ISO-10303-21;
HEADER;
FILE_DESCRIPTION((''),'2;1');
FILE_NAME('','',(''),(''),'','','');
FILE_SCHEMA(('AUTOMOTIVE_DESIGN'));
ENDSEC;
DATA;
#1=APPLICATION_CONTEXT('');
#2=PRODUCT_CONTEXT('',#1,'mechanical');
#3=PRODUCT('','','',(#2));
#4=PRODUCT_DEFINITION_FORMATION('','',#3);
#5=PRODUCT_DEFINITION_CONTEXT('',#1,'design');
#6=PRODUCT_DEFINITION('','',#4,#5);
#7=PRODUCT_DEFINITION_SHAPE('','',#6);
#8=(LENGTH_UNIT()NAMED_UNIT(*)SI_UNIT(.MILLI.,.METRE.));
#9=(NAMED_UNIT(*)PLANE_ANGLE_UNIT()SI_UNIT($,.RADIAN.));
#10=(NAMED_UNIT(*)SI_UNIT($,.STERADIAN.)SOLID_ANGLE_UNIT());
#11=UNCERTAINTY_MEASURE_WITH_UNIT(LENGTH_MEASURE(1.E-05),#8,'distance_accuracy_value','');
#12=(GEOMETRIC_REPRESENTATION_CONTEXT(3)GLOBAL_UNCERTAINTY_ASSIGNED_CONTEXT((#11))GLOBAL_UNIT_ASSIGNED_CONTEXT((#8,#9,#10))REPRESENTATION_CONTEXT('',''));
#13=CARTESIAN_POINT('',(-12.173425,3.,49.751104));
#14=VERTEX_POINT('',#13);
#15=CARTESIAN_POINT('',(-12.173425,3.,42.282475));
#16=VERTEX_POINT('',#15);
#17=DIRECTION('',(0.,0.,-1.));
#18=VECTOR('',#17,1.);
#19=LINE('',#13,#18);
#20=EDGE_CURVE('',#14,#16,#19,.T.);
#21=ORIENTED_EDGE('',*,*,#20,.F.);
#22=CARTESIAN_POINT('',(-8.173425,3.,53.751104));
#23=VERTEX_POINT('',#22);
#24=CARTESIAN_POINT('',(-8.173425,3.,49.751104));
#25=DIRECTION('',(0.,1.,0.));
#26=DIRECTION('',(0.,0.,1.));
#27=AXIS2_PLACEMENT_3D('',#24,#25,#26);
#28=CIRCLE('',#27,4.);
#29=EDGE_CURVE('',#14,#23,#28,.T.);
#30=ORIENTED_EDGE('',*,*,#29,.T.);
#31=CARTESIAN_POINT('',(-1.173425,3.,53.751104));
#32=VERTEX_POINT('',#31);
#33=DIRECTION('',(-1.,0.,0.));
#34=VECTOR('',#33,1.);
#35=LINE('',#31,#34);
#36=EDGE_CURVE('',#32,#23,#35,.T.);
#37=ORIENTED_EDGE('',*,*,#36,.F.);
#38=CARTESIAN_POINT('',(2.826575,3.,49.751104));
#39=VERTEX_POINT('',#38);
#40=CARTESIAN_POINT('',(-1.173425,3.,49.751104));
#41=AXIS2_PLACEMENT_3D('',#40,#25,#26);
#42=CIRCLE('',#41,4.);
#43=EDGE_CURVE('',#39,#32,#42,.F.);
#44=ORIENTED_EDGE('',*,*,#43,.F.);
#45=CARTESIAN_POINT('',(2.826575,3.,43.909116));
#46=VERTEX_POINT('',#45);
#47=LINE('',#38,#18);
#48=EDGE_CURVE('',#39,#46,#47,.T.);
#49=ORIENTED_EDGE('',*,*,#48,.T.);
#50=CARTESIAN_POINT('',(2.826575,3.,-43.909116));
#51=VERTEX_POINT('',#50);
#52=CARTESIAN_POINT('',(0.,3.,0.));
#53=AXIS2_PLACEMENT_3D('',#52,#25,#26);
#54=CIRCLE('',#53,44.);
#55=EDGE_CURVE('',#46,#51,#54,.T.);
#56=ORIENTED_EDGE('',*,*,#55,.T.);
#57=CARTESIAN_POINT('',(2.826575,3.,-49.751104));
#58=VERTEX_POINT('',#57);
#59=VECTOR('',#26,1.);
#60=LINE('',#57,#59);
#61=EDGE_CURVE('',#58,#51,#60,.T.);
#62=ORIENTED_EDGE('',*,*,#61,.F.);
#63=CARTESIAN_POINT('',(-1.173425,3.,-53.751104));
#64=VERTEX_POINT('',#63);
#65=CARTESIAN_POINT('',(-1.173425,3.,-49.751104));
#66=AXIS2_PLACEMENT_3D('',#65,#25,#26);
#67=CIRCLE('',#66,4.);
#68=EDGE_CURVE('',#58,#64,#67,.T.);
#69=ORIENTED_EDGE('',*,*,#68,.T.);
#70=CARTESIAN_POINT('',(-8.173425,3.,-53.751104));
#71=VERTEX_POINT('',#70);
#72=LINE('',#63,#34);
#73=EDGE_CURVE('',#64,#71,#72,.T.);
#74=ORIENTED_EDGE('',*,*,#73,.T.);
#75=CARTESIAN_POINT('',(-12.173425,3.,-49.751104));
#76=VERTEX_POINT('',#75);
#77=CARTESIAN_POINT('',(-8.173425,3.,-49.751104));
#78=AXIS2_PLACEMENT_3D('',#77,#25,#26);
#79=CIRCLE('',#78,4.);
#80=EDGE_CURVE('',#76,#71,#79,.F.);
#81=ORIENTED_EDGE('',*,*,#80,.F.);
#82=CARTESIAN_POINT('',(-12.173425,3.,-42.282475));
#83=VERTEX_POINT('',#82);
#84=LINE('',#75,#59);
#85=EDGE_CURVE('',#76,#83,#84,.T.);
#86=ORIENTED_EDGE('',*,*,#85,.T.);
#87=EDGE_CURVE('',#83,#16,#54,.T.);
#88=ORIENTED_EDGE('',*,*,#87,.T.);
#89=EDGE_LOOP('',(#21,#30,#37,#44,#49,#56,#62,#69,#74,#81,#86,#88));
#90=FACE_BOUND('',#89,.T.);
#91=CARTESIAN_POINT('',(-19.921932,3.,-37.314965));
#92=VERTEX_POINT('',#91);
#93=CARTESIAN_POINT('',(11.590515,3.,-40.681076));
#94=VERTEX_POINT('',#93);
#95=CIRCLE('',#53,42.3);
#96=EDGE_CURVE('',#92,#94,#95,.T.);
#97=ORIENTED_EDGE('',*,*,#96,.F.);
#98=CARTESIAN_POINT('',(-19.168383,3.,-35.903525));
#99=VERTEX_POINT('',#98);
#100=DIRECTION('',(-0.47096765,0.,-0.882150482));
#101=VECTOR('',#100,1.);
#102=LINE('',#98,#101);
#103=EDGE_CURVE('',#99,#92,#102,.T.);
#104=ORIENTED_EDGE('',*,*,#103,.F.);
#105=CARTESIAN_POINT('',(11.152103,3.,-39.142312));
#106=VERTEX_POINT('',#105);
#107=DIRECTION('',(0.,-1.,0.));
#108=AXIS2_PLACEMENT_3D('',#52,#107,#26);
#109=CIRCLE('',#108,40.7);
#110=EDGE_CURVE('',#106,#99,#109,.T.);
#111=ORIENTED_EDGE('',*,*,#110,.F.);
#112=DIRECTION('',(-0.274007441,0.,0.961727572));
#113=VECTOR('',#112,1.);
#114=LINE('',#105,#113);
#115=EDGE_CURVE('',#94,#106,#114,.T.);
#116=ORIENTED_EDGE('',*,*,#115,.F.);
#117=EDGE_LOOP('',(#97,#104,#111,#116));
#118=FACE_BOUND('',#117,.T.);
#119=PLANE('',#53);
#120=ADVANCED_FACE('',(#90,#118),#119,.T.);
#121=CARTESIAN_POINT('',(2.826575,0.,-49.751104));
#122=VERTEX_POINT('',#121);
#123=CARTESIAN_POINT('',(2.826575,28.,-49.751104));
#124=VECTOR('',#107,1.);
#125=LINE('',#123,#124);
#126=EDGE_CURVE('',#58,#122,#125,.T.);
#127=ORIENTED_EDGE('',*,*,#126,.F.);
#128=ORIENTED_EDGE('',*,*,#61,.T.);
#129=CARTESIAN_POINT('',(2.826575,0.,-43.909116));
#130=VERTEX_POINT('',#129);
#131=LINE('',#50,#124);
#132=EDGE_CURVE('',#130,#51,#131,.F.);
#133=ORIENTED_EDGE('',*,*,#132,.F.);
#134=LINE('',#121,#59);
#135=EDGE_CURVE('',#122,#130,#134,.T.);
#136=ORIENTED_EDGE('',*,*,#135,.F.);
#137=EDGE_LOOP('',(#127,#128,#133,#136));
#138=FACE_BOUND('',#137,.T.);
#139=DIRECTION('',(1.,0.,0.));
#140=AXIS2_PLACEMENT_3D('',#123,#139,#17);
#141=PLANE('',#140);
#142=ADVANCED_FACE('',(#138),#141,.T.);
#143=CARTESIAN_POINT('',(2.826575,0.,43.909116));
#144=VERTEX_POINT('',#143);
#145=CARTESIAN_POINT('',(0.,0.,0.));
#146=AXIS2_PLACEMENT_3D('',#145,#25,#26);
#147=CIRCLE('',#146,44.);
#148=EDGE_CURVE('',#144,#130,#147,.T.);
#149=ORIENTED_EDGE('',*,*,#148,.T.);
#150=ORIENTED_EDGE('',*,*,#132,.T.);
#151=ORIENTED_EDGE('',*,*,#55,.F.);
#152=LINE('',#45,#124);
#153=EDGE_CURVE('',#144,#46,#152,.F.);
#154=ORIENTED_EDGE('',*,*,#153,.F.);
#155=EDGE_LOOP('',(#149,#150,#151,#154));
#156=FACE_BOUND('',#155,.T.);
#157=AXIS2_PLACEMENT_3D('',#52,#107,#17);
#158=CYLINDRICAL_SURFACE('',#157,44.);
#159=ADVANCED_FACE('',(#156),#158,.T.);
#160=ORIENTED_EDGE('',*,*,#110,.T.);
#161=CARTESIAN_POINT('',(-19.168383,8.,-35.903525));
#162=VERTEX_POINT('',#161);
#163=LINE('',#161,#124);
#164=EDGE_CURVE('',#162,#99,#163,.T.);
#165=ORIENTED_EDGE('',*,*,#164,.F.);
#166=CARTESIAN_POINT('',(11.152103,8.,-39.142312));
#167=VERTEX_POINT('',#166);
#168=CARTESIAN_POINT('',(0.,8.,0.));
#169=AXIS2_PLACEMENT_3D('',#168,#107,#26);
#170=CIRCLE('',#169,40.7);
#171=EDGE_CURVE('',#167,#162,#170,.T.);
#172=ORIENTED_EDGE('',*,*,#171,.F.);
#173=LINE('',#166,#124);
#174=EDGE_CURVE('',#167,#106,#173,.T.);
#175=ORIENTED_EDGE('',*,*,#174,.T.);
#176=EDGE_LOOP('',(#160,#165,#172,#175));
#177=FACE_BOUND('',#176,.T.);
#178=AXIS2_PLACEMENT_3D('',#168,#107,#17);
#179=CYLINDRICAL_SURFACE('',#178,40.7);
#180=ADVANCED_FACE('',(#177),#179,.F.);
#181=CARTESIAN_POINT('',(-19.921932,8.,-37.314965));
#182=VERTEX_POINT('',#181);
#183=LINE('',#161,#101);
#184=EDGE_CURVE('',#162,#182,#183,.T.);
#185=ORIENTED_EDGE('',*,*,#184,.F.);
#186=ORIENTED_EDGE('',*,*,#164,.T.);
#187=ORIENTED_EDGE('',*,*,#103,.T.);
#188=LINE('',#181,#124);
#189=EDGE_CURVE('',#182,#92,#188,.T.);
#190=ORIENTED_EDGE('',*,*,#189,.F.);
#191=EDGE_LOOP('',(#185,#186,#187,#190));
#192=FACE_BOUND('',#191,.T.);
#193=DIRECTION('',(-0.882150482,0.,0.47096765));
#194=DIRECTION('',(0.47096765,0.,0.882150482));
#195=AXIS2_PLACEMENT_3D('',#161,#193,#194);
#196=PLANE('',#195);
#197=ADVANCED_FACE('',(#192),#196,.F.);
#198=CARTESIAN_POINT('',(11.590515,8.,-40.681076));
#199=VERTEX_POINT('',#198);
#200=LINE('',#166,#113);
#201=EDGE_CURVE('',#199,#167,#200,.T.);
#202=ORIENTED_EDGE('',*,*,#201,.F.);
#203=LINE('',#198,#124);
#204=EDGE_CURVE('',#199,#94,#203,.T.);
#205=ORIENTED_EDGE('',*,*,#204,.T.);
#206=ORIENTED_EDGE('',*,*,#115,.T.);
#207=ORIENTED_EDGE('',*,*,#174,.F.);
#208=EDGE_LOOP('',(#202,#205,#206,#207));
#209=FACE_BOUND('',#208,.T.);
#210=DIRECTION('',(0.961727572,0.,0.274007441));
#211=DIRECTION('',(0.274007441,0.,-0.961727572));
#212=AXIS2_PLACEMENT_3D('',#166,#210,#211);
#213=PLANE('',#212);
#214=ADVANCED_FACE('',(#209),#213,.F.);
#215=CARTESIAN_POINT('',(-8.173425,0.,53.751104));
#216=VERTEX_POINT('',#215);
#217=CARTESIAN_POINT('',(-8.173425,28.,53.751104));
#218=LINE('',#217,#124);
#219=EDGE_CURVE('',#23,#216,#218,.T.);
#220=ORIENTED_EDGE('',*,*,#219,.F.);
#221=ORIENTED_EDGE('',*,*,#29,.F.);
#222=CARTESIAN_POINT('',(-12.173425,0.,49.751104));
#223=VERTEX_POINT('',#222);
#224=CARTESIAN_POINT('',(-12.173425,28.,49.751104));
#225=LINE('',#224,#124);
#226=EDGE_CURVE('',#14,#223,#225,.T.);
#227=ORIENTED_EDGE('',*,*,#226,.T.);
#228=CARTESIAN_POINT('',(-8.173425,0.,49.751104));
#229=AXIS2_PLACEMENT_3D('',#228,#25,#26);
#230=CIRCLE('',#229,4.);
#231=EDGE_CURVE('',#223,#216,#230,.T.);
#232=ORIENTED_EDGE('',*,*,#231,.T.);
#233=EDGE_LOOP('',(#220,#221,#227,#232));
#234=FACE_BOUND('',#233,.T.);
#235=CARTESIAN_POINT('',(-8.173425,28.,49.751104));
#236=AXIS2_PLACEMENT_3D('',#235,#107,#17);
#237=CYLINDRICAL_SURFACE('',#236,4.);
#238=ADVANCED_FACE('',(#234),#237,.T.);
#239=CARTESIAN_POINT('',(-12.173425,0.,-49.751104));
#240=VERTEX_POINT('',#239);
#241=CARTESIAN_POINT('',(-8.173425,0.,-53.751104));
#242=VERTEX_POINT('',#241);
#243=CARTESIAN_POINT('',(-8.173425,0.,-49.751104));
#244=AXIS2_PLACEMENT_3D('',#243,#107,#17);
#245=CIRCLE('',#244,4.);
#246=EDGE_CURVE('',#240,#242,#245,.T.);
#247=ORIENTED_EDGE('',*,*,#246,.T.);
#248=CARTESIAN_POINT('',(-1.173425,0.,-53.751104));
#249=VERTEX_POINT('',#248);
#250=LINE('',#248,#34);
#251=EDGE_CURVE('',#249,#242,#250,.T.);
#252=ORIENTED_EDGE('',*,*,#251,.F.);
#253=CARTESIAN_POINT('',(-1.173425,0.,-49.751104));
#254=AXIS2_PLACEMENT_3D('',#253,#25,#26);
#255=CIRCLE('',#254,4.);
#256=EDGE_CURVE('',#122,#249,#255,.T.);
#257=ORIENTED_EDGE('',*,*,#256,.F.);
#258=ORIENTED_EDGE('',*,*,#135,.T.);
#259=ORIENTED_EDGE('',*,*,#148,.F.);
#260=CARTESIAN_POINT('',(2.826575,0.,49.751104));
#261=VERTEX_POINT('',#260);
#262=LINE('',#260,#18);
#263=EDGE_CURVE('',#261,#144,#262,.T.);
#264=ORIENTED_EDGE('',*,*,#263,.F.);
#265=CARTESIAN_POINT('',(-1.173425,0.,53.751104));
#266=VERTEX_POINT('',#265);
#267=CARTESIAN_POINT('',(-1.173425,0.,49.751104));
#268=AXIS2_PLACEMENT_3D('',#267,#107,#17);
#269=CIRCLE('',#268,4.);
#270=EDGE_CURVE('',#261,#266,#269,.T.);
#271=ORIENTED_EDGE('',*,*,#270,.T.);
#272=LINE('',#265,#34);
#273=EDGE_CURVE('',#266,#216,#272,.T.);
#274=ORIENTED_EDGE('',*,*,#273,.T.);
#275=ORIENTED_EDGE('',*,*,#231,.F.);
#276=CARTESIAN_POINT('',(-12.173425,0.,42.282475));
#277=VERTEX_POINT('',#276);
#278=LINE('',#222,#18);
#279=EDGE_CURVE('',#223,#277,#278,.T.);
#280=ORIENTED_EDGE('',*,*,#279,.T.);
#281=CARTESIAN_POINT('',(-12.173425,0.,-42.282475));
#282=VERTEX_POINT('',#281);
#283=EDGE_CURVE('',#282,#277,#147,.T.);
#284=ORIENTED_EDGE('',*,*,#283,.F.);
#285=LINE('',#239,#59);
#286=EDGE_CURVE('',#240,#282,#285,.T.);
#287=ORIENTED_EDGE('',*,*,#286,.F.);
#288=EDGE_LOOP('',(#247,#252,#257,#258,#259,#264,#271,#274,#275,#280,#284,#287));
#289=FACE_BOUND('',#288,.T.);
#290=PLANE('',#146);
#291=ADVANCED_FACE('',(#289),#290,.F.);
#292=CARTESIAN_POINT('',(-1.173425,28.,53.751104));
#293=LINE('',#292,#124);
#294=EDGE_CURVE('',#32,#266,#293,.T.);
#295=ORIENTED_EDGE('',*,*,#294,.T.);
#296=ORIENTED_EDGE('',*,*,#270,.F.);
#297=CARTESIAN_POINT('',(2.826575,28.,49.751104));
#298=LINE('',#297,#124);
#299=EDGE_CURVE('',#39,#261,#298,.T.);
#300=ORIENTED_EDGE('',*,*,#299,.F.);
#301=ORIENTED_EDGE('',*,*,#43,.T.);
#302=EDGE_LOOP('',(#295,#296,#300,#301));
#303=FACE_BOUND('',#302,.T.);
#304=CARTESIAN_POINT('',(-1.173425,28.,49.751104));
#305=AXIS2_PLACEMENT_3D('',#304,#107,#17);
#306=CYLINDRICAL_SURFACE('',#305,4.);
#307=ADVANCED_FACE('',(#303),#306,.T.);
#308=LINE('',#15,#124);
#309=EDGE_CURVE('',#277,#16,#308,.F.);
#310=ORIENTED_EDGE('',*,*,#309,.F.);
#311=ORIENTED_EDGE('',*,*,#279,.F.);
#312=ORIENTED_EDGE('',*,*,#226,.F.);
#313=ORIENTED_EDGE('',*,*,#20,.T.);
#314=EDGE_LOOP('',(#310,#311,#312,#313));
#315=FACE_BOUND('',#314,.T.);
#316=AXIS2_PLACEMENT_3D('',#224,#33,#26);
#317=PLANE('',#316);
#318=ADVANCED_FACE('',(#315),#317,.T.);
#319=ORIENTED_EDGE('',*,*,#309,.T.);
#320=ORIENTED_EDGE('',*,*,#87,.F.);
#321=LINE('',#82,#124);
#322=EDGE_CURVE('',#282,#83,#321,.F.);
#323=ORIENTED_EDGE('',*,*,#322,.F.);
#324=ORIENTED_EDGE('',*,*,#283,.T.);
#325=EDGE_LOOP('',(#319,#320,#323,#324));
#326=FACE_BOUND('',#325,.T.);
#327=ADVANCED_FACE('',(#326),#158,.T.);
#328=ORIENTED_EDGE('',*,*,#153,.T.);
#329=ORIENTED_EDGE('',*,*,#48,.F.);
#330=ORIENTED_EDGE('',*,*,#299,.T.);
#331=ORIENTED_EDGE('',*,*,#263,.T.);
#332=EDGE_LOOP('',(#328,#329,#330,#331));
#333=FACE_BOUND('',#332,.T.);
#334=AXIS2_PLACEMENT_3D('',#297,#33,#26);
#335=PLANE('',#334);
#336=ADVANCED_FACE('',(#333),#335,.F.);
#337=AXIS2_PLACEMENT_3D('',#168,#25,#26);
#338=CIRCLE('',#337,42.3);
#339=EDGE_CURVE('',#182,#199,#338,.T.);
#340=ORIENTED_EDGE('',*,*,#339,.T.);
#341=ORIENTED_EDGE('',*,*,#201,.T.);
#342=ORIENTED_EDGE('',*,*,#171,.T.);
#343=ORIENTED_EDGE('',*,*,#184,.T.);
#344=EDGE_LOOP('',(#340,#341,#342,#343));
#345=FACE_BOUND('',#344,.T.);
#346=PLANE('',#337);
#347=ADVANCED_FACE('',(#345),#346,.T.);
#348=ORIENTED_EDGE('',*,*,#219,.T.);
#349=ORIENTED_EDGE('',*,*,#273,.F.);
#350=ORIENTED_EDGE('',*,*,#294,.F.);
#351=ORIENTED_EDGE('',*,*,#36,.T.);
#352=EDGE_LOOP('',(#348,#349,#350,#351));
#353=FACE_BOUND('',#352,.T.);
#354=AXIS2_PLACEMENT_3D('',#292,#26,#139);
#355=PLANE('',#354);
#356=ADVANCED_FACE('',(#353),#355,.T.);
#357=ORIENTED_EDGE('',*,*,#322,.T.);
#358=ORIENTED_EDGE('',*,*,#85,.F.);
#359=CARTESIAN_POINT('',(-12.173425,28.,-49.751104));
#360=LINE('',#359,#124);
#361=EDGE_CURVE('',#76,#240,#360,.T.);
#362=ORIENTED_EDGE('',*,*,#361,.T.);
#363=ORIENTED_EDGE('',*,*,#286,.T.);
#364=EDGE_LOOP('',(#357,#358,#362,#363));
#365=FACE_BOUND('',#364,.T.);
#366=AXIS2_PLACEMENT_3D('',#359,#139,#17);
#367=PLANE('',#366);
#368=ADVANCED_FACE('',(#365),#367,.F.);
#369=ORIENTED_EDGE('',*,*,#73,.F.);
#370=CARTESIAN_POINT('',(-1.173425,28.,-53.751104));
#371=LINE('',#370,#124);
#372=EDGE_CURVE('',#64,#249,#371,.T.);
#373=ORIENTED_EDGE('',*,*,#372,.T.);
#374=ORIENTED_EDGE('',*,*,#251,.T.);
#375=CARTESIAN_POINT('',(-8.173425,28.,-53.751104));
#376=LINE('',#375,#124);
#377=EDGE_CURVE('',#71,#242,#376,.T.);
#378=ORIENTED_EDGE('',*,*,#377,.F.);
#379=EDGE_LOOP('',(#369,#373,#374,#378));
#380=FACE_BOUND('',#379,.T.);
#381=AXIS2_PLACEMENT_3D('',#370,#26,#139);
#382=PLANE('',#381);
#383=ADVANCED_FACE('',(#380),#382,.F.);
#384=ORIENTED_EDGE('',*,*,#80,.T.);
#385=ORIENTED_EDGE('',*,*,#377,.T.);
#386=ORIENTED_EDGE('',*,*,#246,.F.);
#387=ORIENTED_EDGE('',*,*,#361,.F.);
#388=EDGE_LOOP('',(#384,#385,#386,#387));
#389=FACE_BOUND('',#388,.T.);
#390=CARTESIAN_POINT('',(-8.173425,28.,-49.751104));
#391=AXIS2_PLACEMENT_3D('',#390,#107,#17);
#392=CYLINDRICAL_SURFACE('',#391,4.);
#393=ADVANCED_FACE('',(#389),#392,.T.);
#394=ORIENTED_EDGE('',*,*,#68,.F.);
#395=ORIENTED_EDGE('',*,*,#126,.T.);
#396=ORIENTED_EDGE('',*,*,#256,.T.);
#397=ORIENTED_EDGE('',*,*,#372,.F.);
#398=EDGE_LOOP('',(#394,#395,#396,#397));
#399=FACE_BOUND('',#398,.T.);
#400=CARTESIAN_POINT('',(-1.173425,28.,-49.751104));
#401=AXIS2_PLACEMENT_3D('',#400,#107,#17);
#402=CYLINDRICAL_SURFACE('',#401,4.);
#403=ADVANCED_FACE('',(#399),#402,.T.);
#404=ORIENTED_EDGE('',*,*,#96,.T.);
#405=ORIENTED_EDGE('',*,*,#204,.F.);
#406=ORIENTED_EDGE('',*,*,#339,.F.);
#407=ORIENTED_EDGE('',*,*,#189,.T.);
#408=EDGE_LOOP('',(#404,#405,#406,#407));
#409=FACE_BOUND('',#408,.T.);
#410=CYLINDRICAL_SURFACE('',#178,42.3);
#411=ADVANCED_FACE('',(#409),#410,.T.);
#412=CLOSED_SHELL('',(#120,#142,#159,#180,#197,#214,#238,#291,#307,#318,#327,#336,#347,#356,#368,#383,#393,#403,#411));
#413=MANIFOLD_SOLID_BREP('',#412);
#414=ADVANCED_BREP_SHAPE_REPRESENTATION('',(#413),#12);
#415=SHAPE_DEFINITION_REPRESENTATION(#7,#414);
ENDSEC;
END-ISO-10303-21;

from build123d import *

# Parameters (mm, degrees)
SKETCH1_R           = 44
BOSS_EXTRUDE1_DEPTH = 3
BOSS_EXTRUDE2_DEPTH = 5
BOSS_EXTRUDE3_DEPTH = 3


with BuildPart() as part:
    # Sketch1 → Boss-Extrude1 (new body)
    with BuildSketch(Plane(origin=(0, 0, 0), x_dir=(1, 0, 0), z_dir=(0, 1, 0))):
        Circle(SKETCH1_R)
    extrude(amount=BOSS_EXTRUDE1_DEPTH)

    # Sketch2 → Boss-Extrude2 (add)
    with BuildSketch(Plane(origin=(0, 3, 0), x_dir=(1, 0, 0), z_dir=(0, 1, 0))):
        with BuildLine():
            Line((-19.168383357, 35.903524611), (-19.921931597, 37.314965382))
            ThreePointArc((-19.921931597, 37.314965382), (4.492861264, -42.060720366), (11.590514748, 40.681076287))
            Line((11.590514748, 40.681076287), (11.152102843, 39.142312172))
            ThreePointArc((11.152102843, 39.142312172), (4.322918521, -40.469771132), (-19.168383357, 35.903524611))
        make_face()
    extrude(amount=BOSS_EXTRUDE2_DEPTH)

    # Sketch3 → Boss-Extrude3 (add)
    with BuildSketch(Plane.XZ):
        with BuildLine():
            Line((-1.173425428, -53.751103926), (-8.173425428, -53.751103926))
            ThreePointArc((-8.173425428, -53.751103926), (-11.001852553, -52.579531051), (-12.173425428, -49.751103926))
            Line((-12.173425428, -49.751103926), (-12.173425428, -33.751103926))
            Line((-12.173425428, -33.751103926), (2.826574572, -33.751103926))
            Line((2.826574572, -33.751103926), (2.826574572, -49.751103926))
            ThreePointArc((2.826574572, -49.751103926), (1.655001697, -52.579531051), (-1.173425428, -53.751103926))
        make_face()
    boss_extrude3 = extrude(amount=-BOSS_EXTRUDE3_DEPTH)

    # Mirror1: Boss-Extrude3 across plane
    add(boss_extrude3.mirror(Plane.XY))


solid = part.part
